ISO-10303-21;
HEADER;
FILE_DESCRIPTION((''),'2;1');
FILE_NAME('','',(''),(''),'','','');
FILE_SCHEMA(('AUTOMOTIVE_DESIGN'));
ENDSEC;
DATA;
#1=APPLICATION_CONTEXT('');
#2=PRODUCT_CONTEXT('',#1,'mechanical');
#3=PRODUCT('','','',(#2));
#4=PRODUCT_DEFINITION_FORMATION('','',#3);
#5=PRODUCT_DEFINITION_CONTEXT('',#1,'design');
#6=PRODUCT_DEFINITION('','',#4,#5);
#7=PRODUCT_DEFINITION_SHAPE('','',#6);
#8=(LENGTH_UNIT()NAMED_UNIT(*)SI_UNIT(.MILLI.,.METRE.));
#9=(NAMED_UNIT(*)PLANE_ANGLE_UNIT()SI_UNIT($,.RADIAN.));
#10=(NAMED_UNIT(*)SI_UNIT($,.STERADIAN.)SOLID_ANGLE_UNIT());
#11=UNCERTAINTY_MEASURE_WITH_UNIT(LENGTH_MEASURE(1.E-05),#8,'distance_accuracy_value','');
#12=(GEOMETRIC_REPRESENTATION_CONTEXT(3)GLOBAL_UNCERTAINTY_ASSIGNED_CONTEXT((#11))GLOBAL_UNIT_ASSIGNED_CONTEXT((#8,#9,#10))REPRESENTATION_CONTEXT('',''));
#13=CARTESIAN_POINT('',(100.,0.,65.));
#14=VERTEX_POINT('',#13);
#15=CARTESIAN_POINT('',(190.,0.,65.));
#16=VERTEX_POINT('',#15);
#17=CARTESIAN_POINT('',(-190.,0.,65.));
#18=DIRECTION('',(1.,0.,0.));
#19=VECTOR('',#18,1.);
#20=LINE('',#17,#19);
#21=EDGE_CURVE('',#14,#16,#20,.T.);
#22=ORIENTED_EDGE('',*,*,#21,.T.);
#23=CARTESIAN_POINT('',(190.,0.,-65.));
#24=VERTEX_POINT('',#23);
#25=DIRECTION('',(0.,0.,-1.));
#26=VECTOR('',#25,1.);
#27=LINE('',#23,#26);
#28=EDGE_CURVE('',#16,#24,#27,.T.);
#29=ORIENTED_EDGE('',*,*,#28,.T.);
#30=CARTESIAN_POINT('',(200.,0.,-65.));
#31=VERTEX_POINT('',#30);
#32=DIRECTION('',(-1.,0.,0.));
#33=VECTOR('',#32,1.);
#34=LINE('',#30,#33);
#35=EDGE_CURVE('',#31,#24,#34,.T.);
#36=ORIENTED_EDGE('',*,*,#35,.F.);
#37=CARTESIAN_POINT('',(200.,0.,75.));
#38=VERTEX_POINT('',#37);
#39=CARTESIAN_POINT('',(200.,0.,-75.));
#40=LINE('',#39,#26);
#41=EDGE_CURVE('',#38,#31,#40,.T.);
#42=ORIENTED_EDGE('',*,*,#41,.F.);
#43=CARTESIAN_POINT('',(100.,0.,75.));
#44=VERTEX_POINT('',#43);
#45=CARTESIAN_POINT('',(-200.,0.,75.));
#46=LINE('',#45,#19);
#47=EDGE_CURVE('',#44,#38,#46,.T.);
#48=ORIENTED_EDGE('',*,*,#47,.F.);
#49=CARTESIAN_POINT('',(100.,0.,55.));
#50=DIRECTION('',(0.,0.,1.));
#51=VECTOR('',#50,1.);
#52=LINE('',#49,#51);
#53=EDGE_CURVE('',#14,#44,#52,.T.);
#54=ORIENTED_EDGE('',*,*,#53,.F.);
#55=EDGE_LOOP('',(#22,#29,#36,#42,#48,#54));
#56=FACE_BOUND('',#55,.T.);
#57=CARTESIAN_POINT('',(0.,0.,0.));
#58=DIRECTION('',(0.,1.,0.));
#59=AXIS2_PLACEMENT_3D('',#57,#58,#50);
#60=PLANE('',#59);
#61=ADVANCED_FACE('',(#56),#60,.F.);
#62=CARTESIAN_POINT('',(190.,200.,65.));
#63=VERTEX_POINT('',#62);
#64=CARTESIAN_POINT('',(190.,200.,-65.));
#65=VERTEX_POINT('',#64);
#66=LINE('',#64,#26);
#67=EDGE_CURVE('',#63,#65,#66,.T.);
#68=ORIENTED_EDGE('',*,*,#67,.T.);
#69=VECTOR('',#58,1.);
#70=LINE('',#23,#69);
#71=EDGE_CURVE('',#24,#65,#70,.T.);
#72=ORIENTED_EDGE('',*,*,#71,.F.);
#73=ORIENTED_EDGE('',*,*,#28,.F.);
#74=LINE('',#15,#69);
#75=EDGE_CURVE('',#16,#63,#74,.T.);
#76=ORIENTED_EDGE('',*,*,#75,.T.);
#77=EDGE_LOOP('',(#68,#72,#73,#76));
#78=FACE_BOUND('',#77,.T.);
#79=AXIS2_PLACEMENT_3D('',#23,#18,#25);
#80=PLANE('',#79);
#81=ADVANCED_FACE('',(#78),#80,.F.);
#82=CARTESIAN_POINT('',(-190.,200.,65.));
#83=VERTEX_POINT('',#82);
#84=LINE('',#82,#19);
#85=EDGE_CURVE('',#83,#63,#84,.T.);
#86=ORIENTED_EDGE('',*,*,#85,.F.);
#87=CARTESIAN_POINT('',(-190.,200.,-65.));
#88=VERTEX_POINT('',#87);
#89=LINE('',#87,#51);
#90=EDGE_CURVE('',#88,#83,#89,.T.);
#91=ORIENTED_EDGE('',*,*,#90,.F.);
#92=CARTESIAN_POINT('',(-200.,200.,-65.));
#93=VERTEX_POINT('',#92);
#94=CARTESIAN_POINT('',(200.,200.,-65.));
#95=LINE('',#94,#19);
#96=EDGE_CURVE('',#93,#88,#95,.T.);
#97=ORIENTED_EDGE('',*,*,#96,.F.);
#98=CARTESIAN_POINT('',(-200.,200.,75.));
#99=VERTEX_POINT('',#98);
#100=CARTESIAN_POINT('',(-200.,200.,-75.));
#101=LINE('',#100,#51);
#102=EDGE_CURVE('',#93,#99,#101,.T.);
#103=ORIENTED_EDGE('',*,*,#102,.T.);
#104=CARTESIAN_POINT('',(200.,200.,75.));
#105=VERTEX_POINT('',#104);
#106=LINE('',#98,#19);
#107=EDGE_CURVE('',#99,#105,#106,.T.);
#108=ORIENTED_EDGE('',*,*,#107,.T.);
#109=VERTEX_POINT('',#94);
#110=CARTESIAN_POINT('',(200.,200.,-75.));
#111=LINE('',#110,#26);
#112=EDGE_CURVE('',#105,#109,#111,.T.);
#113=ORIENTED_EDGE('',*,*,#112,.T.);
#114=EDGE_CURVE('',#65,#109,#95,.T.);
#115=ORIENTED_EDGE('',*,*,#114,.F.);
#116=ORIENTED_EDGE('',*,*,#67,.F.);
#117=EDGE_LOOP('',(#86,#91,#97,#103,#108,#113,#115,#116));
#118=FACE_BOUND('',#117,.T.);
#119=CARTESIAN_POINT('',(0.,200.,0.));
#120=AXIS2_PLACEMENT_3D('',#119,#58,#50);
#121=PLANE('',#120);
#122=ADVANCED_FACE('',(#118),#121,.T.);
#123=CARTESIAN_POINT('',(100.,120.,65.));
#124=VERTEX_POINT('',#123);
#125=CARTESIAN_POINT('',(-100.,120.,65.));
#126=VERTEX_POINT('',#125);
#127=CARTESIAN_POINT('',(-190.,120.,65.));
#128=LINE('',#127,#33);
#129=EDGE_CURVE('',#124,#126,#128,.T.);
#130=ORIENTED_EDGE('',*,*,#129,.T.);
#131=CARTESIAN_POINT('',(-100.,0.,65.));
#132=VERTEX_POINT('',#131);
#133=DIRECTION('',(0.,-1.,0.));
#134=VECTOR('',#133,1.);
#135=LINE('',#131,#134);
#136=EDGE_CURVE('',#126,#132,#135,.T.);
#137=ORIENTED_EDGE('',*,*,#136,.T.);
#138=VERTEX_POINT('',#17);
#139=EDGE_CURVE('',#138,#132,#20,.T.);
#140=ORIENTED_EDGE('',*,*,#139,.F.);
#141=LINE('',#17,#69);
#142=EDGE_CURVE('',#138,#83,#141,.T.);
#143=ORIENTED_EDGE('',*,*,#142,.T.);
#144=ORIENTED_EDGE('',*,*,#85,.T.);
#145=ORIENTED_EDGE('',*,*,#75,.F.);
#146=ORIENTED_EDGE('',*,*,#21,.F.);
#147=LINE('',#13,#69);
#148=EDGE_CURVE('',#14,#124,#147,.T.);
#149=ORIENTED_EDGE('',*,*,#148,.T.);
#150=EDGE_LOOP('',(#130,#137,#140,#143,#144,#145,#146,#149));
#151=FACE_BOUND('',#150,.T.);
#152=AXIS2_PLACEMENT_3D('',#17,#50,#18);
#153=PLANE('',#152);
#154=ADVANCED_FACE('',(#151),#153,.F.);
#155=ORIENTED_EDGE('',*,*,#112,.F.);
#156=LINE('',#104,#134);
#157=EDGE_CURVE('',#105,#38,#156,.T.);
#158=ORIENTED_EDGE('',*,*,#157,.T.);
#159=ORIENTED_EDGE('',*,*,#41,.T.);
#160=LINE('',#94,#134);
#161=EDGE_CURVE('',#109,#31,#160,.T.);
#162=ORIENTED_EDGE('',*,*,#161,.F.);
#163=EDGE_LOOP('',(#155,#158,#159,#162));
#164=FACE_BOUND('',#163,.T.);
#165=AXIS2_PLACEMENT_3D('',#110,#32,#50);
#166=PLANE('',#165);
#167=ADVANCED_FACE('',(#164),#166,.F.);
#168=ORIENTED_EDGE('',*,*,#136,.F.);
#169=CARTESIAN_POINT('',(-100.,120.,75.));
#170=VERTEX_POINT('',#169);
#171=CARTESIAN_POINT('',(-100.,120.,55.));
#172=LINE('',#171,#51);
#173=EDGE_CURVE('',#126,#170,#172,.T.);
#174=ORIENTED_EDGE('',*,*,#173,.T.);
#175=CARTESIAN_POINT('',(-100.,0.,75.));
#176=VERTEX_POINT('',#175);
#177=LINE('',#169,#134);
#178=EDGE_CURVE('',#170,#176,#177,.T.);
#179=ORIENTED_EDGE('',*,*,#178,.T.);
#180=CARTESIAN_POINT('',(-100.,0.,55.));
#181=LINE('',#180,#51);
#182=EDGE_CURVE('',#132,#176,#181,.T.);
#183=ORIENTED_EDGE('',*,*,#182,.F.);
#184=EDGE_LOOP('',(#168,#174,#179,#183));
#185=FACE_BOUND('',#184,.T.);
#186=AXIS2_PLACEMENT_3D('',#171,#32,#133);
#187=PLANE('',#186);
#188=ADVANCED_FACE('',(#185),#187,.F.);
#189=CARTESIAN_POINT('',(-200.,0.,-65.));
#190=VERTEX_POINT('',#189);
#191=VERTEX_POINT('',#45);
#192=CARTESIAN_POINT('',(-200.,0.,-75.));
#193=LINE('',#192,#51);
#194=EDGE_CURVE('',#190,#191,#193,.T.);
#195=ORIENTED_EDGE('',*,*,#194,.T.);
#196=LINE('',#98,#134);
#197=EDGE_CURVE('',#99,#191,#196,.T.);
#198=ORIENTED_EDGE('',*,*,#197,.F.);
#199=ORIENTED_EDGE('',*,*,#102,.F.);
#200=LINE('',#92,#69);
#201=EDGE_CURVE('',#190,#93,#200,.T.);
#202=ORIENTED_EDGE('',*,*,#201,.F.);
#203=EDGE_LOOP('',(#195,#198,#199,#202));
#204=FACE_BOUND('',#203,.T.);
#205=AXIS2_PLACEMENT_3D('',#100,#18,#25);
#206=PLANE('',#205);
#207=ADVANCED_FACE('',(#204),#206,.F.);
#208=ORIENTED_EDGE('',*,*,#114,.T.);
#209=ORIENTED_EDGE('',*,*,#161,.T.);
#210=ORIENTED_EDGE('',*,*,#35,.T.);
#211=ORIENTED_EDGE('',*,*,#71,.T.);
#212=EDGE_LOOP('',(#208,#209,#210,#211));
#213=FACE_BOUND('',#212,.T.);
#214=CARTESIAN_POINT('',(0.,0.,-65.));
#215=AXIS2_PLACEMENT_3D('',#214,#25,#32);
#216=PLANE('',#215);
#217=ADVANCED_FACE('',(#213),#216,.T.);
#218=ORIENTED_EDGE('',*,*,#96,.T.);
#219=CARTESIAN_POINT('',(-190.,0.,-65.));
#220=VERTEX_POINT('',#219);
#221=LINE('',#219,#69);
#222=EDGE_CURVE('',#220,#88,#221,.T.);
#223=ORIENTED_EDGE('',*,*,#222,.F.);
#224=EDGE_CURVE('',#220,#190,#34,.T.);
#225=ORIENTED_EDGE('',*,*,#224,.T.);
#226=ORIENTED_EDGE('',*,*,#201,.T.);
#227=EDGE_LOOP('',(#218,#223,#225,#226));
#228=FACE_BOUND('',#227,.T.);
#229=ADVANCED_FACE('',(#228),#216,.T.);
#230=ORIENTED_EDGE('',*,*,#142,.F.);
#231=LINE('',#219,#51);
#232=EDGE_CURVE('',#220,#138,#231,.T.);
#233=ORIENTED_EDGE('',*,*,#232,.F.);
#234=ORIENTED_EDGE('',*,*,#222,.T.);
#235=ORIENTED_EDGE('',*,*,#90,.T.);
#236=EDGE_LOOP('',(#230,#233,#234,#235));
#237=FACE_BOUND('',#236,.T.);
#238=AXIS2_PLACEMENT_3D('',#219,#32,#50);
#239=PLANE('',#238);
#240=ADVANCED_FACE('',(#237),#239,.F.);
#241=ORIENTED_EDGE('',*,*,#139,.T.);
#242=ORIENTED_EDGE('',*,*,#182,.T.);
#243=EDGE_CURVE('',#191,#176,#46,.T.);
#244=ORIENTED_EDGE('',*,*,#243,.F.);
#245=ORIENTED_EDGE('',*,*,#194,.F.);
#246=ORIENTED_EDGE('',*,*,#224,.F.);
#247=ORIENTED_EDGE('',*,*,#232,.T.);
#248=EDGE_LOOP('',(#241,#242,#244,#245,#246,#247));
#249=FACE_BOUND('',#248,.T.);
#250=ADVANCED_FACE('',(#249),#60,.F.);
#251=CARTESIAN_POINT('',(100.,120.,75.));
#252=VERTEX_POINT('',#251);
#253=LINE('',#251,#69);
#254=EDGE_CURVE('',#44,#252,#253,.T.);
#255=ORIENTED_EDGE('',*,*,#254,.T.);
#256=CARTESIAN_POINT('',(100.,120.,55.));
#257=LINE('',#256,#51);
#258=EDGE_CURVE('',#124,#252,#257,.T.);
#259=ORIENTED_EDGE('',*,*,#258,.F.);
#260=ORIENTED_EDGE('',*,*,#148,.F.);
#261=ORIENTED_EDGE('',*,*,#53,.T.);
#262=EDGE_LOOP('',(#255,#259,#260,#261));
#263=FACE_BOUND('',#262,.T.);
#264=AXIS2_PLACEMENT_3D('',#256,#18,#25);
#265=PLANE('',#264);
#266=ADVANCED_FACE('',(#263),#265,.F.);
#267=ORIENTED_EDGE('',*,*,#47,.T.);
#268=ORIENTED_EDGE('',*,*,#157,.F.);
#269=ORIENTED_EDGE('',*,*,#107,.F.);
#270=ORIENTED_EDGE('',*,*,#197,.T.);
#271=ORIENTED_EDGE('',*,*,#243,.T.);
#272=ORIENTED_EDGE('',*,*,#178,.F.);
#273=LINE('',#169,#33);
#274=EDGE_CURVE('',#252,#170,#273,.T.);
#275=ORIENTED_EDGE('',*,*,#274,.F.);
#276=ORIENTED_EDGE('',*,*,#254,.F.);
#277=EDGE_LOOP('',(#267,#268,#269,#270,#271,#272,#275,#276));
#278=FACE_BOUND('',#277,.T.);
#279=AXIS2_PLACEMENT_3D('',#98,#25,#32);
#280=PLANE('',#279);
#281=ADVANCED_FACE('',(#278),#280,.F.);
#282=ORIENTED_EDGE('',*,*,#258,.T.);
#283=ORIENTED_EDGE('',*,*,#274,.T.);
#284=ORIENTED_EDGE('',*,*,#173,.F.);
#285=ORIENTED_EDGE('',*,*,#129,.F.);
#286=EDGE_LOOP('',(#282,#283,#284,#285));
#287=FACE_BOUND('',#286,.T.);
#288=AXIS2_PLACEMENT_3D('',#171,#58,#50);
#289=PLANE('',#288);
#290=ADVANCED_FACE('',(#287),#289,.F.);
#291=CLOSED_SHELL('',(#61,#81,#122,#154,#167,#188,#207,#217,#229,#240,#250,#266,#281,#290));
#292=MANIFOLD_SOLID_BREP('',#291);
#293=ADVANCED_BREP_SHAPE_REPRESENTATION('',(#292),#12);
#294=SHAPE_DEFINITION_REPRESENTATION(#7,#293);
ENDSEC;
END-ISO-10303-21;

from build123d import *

# Parameters (mm, degrees)
SKETCH1_W           = 400
SKETCH1_H           = 150
BOSS_EXTRUDE1_DEPTH = 200
SKETCH2_W           = 380
SKETCH2_H           = 130
CUT_EXTRUDE1_DEPTH  = 200
SKETCH3_W           = 200
SKETCH3_H           = 120
CUT_EXTRUDE2_DEPTH  = 20
SKETCH4_W           = 400
SKETCH4_H           = 200
CUT_EXTRUDE3_DEPTH  = 10


with BuildPart() as part:
    # Sketch1 → Boss-Extrude1 (new body)
    with BuildSketch(Plane(origin=(0, 0, 0), x_dir=(1, 0, 0), z_dir=(0, 1, 0))):
        Rectangle(SKETCH1_W, SKETCH1_H)
    extrude(amount=BOSS_EXTRUDE1_DEPTH)

    # Sketch2 → Cut-Extrude1 (cut)
    with BuildSketch(Plane(origin=(0, 200, 0), x_dir=(1, 0, 0), z_dir=(0, 1, 0))):
        Rectangle(SKETCH2_W, SKETCH2_H)
    extrude(amount=-CUT_EXTRUDE1_DEPTH, mode=Mode.SUBTRACT)

    # Sketch3 → Cut-Extrude2 (cut)
    with BuildSketch(Plane.XY.offset(75)):
        with Locations((0, 60)):
            Rectangle(SKETCH3_W, SKETCH3_H)
    extrude(amount=-CUT_EXTRUDE2_DEPTH, mode=Mode.SUBTRACT)

    # Sketch4 → Cut-Extrude3 (cut)
    with BuildSketch(Plane(origin=(0, 0, -75), x_dir=(-1, 0, 0), z_dir=(0, 0, -1))):
        with Locations((0, 100)):
            Rectangle(SKETCH4_W, SKETCH4_H)
    extrude(amount=-CUT_EXTRUDE3_DEPTH, mode=Mode.SUBTRACT)


solid = part.part
